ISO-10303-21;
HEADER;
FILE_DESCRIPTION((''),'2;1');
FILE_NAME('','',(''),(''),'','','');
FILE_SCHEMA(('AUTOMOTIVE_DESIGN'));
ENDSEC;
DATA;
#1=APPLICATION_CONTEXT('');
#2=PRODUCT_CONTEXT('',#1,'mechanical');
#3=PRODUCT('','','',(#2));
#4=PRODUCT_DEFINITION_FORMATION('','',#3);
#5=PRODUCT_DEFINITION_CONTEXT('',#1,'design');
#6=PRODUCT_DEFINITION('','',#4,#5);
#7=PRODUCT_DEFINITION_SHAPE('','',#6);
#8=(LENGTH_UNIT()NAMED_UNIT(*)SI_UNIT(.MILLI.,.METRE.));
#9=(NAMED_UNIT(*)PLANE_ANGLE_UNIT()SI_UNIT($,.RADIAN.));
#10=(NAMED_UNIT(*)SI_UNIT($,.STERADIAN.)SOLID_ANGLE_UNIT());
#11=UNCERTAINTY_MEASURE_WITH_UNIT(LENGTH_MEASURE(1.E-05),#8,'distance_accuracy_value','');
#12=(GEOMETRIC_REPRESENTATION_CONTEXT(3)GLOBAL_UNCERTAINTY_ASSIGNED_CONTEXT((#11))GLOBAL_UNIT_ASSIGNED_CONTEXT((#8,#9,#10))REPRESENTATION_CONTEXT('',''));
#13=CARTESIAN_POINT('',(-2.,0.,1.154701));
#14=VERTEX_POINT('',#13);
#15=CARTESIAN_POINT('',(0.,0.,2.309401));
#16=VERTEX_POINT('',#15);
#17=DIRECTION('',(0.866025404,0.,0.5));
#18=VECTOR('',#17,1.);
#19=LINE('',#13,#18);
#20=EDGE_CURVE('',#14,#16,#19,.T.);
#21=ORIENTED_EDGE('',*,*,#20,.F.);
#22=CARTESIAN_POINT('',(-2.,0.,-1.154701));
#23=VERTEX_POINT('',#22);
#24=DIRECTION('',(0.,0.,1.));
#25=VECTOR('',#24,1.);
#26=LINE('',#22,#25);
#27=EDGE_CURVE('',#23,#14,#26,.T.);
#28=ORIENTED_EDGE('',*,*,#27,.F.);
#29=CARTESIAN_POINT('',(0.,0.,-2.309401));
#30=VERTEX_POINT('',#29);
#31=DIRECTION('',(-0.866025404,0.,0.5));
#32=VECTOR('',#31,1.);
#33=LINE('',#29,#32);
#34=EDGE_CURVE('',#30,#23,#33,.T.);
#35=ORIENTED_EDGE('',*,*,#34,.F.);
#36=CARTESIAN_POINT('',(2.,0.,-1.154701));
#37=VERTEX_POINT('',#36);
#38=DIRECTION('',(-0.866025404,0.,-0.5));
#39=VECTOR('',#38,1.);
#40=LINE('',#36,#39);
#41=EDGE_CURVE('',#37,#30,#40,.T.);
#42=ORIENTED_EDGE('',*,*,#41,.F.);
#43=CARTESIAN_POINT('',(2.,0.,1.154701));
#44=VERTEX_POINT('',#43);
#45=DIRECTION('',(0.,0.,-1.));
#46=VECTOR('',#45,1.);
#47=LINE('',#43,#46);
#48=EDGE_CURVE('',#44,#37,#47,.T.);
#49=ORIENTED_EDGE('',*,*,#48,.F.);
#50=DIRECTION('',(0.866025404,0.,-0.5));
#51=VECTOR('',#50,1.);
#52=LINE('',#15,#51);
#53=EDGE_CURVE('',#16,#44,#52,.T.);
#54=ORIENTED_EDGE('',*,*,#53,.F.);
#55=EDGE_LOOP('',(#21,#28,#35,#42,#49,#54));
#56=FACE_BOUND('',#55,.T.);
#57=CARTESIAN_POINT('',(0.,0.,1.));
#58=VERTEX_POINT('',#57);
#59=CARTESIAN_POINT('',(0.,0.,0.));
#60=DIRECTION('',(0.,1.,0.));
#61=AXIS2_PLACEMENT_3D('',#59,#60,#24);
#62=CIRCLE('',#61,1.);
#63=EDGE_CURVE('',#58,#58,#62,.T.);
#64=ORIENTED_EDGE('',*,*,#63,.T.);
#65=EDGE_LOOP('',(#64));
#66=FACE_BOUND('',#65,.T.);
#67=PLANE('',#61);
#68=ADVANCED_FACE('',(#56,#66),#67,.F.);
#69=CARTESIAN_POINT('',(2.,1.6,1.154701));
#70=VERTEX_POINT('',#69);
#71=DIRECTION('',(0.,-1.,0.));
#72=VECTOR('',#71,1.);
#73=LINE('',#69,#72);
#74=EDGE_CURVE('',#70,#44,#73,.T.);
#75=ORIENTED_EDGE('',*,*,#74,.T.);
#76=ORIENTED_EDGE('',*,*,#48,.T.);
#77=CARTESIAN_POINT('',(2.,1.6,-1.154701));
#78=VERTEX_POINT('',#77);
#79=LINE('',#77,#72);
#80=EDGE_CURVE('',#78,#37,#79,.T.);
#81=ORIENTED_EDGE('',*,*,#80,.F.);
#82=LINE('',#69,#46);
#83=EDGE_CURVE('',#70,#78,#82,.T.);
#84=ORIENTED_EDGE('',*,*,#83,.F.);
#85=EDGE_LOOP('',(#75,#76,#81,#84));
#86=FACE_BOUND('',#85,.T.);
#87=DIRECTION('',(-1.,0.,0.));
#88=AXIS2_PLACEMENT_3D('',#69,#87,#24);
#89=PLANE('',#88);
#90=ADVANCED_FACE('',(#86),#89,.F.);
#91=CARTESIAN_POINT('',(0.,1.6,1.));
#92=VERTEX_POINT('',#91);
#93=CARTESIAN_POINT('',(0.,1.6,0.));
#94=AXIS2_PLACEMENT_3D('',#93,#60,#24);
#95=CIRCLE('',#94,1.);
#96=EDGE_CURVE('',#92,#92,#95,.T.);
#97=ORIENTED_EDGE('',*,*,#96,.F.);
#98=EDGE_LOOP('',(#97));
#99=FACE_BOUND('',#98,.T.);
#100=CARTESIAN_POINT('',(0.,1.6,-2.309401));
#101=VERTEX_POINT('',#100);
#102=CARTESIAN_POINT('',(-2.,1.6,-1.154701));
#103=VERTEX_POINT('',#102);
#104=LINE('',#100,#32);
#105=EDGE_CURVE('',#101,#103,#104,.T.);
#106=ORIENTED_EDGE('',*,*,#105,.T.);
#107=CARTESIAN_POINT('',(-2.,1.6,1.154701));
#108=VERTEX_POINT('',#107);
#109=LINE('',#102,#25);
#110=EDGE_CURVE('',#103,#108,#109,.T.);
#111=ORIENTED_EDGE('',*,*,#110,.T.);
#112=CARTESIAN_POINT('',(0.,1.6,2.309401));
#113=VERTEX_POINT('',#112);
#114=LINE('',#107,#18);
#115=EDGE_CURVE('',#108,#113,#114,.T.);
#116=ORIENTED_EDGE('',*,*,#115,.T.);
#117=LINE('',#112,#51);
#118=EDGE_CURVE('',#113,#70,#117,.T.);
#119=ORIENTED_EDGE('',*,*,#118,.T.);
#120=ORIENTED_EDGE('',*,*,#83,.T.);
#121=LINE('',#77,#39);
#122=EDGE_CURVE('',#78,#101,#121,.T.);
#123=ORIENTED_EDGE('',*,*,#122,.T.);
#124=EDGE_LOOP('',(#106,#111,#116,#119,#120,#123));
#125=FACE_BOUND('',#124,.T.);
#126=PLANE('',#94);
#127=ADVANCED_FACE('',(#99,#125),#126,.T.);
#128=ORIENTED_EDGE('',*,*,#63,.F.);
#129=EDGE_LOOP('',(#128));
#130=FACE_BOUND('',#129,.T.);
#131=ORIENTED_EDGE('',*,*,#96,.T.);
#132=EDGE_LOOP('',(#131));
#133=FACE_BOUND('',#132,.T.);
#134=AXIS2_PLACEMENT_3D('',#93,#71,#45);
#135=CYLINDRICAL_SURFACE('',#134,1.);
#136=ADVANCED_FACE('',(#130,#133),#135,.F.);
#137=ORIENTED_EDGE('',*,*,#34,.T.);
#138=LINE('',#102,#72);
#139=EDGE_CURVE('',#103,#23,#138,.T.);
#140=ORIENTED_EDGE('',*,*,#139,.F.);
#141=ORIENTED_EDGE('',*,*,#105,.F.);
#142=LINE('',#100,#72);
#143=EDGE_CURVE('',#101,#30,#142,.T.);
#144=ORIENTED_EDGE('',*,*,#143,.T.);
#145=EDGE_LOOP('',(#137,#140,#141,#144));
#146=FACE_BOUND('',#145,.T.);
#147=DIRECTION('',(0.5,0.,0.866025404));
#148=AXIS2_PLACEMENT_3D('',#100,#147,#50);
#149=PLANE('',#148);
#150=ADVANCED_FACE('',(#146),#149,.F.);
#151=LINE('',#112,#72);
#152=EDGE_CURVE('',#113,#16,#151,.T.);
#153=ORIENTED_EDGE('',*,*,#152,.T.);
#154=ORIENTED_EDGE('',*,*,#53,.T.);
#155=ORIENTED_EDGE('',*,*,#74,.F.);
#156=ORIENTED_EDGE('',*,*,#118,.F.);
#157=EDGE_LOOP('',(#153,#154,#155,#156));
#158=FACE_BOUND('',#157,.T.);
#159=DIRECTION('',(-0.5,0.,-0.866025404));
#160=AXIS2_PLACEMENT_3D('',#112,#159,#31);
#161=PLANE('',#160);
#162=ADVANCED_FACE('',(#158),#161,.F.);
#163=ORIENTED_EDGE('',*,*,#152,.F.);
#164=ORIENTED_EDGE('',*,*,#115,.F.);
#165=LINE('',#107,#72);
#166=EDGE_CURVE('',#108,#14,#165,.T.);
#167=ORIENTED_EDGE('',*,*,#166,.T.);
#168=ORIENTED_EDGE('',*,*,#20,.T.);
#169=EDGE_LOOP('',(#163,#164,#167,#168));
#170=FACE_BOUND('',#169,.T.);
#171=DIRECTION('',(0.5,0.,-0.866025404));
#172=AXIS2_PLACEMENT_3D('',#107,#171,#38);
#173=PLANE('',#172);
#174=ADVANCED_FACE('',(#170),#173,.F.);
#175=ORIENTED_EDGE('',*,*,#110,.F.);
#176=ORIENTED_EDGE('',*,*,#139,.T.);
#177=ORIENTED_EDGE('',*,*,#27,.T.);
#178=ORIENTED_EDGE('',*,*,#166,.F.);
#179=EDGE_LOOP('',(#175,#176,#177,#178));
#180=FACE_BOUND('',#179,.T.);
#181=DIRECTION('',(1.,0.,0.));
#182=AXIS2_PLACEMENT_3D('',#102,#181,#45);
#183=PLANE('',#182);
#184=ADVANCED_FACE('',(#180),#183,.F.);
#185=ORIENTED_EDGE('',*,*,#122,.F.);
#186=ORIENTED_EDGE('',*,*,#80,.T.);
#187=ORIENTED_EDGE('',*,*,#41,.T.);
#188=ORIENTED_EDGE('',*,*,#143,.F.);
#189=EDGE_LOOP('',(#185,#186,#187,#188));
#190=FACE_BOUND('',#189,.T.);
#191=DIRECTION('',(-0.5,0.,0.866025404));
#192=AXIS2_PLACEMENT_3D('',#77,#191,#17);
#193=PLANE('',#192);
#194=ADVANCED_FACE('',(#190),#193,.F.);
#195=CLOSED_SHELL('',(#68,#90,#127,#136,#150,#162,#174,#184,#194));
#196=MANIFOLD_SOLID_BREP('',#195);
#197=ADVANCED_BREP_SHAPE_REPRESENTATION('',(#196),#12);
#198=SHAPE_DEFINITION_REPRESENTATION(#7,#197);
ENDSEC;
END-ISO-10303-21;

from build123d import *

# Parameters (mm, degrees)
SKETCH1_R           = 1
BOSS_EXTRUDE1_DEPTH = 1.6


with BuildPart() as part:
    # Sketch1 → Boss-Extrude1 (new body)
    with BuildSketch(Plane(origin=(0, 0, 0), x_dir=(1, 0, 0), z_dir=(0, 1, 0))):
        Polygon((2, -1.154700538), (2, 1.154700538), (0, 2.309401077), (-2, 1.154700538), (-2, -1.154700538), (0, -2.309401077), align=None)
        Circle(SKETCH1_R, mode=Mode.SUBTRACT)
    extrude(amount=BOSS_EXTRUDE1_DEPTH)


solid = part.part
